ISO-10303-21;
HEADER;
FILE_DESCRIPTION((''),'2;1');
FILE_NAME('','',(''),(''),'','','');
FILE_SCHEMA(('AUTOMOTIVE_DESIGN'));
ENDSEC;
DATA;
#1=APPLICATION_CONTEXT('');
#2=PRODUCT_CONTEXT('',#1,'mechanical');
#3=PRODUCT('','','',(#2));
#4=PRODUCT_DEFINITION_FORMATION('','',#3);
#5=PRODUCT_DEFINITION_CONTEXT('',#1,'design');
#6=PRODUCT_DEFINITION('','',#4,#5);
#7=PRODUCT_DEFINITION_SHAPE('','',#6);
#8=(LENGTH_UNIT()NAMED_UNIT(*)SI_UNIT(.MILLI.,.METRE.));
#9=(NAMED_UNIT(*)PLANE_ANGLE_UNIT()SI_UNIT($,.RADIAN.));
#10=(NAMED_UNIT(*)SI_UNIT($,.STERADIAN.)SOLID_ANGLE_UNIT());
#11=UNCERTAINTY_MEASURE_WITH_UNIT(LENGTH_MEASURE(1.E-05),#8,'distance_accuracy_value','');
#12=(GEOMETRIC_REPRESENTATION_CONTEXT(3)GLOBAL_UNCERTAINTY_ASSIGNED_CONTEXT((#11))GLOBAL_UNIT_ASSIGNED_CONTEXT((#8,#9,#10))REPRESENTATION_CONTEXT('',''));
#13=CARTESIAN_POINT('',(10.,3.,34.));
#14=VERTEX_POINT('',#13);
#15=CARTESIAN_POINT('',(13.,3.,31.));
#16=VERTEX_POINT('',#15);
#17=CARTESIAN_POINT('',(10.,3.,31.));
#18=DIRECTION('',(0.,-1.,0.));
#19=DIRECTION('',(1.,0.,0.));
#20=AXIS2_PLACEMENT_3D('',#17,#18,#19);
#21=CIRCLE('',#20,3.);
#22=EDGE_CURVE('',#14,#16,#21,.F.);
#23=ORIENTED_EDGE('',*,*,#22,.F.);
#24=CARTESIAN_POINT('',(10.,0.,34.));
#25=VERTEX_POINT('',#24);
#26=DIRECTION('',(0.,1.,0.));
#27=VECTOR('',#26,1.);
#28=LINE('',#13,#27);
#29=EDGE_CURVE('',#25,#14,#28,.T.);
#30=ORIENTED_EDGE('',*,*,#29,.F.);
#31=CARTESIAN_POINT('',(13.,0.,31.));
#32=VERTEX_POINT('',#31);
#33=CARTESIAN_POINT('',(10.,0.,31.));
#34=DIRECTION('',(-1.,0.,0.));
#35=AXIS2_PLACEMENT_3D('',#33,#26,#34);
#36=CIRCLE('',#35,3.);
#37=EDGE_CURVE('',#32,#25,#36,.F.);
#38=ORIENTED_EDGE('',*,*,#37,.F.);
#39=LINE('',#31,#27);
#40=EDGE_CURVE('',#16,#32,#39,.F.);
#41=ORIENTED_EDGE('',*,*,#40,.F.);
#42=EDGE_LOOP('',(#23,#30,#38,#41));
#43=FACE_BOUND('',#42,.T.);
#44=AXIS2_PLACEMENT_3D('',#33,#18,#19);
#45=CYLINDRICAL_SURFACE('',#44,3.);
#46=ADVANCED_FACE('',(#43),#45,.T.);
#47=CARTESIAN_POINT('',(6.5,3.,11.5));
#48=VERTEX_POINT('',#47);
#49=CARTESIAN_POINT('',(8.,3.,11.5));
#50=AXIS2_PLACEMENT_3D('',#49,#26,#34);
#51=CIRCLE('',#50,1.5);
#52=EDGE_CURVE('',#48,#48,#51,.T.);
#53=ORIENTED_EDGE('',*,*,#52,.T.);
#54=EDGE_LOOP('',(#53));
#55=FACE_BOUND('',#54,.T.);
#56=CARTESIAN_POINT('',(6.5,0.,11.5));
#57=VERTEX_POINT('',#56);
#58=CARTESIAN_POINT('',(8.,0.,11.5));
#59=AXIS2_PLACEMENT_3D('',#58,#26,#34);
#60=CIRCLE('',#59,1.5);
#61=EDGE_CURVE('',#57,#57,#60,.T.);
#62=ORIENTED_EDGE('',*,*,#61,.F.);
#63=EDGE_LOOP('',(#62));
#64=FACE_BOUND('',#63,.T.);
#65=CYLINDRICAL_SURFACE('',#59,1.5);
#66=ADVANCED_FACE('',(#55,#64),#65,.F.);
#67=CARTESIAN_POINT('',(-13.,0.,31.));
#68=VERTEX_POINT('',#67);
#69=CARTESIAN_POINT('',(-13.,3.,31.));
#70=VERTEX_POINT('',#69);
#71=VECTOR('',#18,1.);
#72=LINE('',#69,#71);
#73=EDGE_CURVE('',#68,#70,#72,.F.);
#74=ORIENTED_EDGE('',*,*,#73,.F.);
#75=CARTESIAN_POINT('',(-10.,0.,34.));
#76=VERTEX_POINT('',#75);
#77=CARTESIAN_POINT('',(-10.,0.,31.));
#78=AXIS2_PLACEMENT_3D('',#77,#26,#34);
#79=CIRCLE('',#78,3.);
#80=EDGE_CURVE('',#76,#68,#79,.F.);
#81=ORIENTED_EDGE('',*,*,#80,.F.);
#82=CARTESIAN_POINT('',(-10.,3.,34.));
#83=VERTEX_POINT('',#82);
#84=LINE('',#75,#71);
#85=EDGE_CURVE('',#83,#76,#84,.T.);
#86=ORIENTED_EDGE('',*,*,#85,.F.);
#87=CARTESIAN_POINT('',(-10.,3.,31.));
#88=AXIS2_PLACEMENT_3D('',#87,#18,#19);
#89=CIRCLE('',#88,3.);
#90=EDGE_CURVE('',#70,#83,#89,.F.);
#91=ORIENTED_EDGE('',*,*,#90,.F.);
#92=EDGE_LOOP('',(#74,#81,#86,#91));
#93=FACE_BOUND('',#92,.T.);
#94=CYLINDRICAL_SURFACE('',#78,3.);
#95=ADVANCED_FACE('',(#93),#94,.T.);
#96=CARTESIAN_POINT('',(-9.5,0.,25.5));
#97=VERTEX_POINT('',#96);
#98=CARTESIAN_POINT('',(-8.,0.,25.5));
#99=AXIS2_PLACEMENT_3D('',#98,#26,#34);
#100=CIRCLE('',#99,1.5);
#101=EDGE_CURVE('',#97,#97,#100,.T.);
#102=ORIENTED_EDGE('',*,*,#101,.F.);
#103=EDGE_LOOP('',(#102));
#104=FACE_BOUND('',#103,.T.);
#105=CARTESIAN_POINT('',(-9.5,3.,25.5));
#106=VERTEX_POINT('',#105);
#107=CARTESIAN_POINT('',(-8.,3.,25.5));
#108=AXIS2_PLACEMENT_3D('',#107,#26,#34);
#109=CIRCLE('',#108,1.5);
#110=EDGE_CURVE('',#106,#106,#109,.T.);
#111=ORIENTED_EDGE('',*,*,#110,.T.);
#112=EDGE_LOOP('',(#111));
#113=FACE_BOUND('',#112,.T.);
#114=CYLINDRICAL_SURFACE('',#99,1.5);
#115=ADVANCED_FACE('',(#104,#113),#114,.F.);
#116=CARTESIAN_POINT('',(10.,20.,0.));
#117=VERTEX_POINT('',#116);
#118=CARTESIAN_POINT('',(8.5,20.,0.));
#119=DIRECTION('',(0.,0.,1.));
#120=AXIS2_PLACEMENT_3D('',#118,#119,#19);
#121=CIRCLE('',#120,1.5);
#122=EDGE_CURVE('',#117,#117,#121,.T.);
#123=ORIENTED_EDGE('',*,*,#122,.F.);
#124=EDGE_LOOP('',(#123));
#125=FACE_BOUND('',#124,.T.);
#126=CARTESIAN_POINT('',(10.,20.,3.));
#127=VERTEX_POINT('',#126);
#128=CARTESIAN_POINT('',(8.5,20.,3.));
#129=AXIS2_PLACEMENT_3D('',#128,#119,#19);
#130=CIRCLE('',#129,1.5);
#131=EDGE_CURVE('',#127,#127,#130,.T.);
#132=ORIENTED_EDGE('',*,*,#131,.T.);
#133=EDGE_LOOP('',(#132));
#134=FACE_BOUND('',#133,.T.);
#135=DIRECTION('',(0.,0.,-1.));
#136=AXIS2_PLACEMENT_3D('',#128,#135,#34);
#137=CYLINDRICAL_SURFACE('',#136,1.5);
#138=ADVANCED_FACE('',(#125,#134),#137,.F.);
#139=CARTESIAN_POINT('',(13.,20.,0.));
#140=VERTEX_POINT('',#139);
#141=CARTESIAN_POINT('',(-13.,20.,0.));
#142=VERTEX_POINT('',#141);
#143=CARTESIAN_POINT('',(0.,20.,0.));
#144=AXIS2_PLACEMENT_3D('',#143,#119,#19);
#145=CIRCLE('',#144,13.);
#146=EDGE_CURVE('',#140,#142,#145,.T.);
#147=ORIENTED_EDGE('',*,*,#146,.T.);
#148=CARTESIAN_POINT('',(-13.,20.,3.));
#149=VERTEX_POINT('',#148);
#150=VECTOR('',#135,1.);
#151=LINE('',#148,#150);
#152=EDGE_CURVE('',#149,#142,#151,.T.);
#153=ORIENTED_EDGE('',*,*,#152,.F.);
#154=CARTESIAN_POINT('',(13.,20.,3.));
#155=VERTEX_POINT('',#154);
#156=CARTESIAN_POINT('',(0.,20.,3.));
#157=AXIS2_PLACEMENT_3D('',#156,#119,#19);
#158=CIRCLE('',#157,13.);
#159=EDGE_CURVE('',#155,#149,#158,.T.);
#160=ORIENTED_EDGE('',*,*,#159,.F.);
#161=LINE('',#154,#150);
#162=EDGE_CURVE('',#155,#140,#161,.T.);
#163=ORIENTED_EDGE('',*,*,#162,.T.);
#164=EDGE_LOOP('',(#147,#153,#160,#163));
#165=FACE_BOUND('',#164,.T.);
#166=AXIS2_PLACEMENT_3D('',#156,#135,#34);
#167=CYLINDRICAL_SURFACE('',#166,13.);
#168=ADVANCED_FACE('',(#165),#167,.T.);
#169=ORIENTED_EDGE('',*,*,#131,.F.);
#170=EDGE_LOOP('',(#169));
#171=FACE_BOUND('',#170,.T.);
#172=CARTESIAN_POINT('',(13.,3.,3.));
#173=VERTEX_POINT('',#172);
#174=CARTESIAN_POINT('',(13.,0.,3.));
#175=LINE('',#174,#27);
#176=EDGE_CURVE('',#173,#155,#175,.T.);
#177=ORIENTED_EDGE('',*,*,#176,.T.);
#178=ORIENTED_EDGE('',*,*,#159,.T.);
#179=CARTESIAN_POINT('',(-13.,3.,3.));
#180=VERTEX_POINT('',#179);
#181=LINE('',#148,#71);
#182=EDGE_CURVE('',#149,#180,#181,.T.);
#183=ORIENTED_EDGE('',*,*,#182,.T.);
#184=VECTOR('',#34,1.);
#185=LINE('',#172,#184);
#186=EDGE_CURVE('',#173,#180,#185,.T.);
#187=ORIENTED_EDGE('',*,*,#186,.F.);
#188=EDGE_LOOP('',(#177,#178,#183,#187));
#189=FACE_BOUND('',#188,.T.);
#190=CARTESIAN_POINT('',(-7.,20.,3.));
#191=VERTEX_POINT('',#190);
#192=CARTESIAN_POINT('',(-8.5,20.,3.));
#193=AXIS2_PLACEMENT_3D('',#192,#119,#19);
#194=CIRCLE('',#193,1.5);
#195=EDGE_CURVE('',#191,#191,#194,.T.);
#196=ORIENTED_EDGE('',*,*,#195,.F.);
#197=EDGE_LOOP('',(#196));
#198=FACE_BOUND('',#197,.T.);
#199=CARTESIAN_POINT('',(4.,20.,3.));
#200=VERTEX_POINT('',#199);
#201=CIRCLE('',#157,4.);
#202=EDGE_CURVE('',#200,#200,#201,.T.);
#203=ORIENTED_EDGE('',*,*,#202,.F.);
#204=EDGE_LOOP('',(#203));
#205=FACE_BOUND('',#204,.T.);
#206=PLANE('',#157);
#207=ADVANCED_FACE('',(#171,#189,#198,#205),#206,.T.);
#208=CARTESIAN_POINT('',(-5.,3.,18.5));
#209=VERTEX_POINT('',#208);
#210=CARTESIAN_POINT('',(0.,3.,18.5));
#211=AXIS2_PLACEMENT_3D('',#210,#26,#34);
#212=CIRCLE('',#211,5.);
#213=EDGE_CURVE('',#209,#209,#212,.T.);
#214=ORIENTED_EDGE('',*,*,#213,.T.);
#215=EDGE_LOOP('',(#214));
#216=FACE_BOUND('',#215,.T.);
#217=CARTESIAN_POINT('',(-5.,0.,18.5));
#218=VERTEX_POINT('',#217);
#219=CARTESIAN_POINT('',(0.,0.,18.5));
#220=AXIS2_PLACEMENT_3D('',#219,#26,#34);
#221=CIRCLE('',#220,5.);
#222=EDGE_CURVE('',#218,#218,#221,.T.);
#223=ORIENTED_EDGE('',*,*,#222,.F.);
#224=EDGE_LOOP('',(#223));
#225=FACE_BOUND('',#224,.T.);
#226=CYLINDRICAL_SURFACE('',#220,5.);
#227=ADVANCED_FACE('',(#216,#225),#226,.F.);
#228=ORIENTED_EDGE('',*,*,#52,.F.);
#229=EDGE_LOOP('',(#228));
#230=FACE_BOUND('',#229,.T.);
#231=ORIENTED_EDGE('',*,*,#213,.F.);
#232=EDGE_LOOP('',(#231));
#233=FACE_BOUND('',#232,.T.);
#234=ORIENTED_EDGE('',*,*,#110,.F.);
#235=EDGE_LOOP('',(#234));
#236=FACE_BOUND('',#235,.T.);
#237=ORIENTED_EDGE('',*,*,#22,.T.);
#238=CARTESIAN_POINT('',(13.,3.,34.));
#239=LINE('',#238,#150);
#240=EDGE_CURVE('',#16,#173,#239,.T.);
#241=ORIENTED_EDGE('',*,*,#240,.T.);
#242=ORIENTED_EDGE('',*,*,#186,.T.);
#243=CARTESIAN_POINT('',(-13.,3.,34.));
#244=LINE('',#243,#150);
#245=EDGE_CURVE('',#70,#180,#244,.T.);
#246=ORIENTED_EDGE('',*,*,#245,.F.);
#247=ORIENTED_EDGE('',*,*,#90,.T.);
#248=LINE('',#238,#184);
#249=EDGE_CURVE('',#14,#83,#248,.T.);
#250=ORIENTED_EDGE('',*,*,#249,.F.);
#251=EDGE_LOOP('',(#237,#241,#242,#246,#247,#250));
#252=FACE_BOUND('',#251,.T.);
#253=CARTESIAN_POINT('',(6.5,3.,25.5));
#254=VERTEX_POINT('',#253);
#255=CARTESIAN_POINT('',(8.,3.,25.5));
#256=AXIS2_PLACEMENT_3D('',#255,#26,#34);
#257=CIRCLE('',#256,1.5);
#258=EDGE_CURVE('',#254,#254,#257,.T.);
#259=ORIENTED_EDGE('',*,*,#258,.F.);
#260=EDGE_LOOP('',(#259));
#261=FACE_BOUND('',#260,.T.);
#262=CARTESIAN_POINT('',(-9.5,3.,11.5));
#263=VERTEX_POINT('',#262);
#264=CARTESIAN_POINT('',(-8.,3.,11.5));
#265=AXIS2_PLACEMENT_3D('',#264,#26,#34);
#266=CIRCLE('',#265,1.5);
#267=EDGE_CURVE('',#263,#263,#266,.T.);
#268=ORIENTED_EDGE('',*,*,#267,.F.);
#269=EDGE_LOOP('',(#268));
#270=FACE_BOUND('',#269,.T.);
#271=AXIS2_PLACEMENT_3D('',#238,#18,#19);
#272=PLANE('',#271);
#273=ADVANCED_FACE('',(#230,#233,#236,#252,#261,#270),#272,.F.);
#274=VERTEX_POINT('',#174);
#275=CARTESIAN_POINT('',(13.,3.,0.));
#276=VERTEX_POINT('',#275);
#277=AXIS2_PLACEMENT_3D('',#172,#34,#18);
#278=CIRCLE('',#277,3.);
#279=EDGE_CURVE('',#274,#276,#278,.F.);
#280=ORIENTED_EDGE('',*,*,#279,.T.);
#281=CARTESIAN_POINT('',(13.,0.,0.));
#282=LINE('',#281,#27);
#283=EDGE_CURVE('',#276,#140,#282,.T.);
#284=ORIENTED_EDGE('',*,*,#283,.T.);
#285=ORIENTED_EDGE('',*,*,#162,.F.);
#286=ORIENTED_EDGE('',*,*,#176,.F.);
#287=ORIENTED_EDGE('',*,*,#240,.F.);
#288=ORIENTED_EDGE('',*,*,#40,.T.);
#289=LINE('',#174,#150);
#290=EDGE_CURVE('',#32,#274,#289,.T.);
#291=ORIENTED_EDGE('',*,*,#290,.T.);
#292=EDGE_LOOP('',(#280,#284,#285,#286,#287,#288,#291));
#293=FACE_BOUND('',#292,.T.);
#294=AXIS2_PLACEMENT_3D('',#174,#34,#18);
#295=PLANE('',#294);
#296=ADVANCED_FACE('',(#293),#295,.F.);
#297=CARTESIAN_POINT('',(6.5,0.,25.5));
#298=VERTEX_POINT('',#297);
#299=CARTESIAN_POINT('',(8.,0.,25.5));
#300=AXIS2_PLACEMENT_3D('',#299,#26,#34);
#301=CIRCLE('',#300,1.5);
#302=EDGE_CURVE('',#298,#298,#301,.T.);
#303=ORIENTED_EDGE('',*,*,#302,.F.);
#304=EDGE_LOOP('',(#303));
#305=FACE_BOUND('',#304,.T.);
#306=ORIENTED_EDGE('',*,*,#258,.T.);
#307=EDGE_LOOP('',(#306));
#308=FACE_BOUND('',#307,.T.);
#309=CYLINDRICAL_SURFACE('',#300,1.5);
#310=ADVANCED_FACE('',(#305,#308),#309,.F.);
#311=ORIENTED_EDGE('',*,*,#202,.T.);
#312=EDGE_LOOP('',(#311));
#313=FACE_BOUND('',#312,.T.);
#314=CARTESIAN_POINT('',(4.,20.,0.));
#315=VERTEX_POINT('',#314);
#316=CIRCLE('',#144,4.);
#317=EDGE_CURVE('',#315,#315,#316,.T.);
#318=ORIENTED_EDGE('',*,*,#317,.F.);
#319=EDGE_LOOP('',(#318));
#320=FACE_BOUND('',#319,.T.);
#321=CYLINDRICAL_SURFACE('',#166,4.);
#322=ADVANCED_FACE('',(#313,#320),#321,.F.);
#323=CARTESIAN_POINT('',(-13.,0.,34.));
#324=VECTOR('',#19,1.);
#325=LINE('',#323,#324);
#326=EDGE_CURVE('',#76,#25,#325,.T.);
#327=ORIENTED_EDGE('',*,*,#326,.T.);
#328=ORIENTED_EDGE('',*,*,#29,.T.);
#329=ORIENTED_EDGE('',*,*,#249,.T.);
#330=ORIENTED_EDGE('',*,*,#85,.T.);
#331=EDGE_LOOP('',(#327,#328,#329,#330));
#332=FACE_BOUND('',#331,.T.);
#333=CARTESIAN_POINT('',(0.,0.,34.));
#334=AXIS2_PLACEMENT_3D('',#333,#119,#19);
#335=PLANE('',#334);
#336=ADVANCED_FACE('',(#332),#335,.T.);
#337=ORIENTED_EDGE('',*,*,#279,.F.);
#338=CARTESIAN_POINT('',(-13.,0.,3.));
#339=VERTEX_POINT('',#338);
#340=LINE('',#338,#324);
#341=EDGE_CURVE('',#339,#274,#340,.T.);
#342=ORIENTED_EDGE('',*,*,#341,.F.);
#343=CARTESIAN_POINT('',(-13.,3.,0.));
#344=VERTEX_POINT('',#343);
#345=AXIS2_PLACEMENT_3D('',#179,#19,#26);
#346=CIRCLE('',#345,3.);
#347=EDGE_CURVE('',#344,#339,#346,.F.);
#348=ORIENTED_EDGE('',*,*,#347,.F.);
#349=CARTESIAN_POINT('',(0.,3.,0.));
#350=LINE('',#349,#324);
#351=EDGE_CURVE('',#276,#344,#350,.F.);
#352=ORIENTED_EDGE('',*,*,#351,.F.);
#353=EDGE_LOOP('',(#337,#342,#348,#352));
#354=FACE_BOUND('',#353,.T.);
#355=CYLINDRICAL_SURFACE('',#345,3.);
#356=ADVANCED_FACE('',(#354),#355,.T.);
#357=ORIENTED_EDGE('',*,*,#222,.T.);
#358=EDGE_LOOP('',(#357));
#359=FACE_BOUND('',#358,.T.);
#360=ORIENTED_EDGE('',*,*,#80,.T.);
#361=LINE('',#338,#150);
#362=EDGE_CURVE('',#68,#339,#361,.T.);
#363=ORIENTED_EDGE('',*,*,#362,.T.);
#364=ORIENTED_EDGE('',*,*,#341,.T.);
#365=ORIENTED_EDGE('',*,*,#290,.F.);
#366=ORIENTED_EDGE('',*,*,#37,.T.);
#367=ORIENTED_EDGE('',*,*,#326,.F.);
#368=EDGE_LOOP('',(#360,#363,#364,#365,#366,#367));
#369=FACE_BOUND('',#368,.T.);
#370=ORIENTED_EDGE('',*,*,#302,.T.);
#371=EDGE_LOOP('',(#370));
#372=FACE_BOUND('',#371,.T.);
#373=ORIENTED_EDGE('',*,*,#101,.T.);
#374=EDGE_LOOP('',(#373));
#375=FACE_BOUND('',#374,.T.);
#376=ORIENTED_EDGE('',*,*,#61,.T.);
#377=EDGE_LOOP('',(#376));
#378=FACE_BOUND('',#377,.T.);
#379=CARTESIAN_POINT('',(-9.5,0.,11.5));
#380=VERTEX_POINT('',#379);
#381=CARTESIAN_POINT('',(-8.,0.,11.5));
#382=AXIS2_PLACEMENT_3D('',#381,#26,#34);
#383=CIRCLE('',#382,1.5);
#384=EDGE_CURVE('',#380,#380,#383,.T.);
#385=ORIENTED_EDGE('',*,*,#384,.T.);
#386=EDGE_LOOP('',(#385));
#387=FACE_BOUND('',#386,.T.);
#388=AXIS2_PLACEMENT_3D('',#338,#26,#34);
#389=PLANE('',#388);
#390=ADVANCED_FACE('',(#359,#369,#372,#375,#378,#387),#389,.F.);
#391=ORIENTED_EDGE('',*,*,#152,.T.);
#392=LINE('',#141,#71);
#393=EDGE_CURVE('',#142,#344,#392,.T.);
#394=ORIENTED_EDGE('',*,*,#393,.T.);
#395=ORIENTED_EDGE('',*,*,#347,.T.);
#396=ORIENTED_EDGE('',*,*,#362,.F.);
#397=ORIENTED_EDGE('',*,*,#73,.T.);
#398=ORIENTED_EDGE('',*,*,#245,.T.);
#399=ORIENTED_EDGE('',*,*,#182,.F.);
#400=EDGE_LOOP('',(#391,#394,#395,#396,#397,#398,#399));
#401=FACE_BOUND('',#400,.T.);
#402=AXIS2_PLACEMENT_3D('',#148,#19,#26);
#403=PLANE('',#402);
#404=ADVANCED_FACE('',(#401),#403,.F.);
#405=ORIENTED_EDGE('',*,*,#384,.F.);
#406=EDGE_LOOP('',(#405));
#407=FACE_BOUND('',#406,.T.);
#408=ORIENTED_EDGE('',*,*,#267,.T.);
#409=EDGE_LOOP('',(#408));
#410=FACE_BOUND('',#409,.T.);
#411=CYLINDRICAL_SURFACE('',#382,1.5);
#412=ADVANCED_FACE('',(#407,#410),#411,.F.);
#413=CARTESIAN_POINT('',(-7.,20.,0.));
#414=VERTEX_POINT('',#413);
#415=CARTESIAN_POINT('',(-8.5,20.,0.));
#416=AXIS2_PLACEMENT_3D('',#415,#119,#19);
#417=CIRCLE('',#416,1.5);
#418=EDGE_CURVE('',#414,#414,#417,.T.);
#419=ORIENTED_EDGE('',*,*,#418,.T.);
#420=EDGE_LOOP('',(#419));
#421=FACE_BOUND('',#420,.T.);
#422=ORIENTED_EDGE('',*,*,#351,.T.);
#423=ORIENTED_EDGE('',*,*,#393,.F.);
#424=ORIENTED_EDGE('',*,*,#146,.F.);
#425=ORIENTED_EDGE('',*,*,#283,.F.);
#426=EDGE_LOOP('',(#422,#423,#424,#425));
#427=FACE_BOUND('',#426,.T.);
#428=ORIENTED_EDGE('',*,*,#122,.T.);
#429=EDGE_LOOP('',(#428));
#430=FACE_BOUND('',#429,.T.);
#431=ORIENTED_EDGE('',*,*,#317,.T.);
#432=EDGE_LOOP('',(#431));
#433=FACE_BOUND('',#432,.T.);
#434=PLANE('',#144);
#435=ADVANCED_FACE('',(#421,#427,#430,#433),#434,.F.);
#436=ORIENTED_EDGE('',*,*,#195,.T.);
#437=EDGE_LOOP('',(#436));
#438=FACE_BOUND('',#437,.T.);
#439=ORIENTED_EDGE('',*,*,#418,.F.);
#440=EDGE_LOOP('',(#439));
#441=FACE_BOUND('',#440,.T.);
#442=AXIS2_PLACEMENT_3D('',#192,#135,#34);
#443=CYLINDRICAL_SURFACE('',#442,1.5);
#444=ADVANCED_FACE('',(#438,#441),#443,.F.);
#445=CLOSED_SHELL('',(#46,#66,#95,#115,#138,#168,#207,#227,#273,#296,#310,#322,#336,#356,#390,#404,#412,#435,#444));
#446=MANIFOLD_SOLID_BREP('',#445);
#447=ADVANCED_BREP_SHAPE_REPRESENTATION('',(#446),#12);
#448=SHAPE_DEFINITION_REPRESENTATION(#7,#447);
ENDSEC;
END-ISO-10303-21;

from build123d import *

# Parameters (mm, degrees)
SKETCH2_R           = 4
SKETCH2_R_2         = 1.5
BOSS_EXTRUDE1_DEPTH = 3
SKETCH3_W           = 26
SKETCH3_H           = 3
BOSS_EXTRUDE2_DEPTH = 31
SKETCH4_R           = 5
SKETCH4_R_2         = 1.5
CUT_EXTRUDE1_DEPTH  = 48.16990566
FILLET1_R           = 3
FILLET2_R           = 3


with BuildPart() as part:
    # Sketch2 → Boss-Extrude1 (new body)
    with BuildSketch(Plane.XY):
        with BuildLine():
            Line((-13, 0), (13, 0))
            Line((13, 0), (13, 20))
            ThreePointArc((13, 20), (0, 33), (-13, 20))
            Line((-13, 20), (-13, 0))
        make_face()
        with Locations((0, 20)):
            Circle(SKETCH2_R, mode=Mode.SUBTRACT)
        with Locations((-8.5, 20)):
            Circle(SKETCH2_R_2, mode=Mode.SUBTRACT)
        with Locations((8.5, 20)):
            Circle(SKETCH2_R_2, mode=Mode.SUBTRACT)
    extrude(amount=BOSS_EXTRUDE1_DEPTH)

    # Sketch3 → Boss-Extrude2 (add)
    with BuildSketch(Plane.XY.offset(3)):
        with Locations((0, 1.5)):
            Rectangle(SKETCH3_W, SKETCH3_H)
    extrude(amount=BOSS_EXTRUDE2_DEPTH)

    # Sketch4 → Cut-Extrude1 (cut, through all)
    with BuildSketch(Plane(origin=(0, 3, 0), x_dir=(1, 0, 0), z_dir=(0, 1, 0))):
        with Locations(Location((0, -18.5, 0), (0, 0, 180))):
            Circle(SKETCH4_R)
        with Locations(Location((-8, -11.5, 0), (0, 0, 180))):
            Circle(SKETCH4_R_2)
        with Locations(Location((8, -11.5, 0), (0, 0, 180))):
            Circle(SKETCH4_R_2)
        with Locations(Location((8, -25.5, 0), (0, 0, 180))):
            Circle(SKETCH4_R_2)
        with Locations(Location((-8, -25.5, 0), (0, 0, 180))):
            Circle(SKETCH4_R_2)
    extrude(amount=-CUT_EXTRUDE1_DEPTH, mode=Mode.SUBTRACT)

    # Fillet1
    fillet1_edges = [part.edges().sort_by_distance(p)[0] for p in [
        (-13, 1.5, 34),
        (13, 1.5, 34),
    ]]
    fillet(fillet1_edges, radius=FILLET1_R)

    # Fillet2
    fillet2_edges = [part.edges().sort_by_distance(p)[0] for p in [
        (0, 0, 0),
    ]]
    fillet(fillet2_edges, radius=FILLET2_R)


solid = part.part
